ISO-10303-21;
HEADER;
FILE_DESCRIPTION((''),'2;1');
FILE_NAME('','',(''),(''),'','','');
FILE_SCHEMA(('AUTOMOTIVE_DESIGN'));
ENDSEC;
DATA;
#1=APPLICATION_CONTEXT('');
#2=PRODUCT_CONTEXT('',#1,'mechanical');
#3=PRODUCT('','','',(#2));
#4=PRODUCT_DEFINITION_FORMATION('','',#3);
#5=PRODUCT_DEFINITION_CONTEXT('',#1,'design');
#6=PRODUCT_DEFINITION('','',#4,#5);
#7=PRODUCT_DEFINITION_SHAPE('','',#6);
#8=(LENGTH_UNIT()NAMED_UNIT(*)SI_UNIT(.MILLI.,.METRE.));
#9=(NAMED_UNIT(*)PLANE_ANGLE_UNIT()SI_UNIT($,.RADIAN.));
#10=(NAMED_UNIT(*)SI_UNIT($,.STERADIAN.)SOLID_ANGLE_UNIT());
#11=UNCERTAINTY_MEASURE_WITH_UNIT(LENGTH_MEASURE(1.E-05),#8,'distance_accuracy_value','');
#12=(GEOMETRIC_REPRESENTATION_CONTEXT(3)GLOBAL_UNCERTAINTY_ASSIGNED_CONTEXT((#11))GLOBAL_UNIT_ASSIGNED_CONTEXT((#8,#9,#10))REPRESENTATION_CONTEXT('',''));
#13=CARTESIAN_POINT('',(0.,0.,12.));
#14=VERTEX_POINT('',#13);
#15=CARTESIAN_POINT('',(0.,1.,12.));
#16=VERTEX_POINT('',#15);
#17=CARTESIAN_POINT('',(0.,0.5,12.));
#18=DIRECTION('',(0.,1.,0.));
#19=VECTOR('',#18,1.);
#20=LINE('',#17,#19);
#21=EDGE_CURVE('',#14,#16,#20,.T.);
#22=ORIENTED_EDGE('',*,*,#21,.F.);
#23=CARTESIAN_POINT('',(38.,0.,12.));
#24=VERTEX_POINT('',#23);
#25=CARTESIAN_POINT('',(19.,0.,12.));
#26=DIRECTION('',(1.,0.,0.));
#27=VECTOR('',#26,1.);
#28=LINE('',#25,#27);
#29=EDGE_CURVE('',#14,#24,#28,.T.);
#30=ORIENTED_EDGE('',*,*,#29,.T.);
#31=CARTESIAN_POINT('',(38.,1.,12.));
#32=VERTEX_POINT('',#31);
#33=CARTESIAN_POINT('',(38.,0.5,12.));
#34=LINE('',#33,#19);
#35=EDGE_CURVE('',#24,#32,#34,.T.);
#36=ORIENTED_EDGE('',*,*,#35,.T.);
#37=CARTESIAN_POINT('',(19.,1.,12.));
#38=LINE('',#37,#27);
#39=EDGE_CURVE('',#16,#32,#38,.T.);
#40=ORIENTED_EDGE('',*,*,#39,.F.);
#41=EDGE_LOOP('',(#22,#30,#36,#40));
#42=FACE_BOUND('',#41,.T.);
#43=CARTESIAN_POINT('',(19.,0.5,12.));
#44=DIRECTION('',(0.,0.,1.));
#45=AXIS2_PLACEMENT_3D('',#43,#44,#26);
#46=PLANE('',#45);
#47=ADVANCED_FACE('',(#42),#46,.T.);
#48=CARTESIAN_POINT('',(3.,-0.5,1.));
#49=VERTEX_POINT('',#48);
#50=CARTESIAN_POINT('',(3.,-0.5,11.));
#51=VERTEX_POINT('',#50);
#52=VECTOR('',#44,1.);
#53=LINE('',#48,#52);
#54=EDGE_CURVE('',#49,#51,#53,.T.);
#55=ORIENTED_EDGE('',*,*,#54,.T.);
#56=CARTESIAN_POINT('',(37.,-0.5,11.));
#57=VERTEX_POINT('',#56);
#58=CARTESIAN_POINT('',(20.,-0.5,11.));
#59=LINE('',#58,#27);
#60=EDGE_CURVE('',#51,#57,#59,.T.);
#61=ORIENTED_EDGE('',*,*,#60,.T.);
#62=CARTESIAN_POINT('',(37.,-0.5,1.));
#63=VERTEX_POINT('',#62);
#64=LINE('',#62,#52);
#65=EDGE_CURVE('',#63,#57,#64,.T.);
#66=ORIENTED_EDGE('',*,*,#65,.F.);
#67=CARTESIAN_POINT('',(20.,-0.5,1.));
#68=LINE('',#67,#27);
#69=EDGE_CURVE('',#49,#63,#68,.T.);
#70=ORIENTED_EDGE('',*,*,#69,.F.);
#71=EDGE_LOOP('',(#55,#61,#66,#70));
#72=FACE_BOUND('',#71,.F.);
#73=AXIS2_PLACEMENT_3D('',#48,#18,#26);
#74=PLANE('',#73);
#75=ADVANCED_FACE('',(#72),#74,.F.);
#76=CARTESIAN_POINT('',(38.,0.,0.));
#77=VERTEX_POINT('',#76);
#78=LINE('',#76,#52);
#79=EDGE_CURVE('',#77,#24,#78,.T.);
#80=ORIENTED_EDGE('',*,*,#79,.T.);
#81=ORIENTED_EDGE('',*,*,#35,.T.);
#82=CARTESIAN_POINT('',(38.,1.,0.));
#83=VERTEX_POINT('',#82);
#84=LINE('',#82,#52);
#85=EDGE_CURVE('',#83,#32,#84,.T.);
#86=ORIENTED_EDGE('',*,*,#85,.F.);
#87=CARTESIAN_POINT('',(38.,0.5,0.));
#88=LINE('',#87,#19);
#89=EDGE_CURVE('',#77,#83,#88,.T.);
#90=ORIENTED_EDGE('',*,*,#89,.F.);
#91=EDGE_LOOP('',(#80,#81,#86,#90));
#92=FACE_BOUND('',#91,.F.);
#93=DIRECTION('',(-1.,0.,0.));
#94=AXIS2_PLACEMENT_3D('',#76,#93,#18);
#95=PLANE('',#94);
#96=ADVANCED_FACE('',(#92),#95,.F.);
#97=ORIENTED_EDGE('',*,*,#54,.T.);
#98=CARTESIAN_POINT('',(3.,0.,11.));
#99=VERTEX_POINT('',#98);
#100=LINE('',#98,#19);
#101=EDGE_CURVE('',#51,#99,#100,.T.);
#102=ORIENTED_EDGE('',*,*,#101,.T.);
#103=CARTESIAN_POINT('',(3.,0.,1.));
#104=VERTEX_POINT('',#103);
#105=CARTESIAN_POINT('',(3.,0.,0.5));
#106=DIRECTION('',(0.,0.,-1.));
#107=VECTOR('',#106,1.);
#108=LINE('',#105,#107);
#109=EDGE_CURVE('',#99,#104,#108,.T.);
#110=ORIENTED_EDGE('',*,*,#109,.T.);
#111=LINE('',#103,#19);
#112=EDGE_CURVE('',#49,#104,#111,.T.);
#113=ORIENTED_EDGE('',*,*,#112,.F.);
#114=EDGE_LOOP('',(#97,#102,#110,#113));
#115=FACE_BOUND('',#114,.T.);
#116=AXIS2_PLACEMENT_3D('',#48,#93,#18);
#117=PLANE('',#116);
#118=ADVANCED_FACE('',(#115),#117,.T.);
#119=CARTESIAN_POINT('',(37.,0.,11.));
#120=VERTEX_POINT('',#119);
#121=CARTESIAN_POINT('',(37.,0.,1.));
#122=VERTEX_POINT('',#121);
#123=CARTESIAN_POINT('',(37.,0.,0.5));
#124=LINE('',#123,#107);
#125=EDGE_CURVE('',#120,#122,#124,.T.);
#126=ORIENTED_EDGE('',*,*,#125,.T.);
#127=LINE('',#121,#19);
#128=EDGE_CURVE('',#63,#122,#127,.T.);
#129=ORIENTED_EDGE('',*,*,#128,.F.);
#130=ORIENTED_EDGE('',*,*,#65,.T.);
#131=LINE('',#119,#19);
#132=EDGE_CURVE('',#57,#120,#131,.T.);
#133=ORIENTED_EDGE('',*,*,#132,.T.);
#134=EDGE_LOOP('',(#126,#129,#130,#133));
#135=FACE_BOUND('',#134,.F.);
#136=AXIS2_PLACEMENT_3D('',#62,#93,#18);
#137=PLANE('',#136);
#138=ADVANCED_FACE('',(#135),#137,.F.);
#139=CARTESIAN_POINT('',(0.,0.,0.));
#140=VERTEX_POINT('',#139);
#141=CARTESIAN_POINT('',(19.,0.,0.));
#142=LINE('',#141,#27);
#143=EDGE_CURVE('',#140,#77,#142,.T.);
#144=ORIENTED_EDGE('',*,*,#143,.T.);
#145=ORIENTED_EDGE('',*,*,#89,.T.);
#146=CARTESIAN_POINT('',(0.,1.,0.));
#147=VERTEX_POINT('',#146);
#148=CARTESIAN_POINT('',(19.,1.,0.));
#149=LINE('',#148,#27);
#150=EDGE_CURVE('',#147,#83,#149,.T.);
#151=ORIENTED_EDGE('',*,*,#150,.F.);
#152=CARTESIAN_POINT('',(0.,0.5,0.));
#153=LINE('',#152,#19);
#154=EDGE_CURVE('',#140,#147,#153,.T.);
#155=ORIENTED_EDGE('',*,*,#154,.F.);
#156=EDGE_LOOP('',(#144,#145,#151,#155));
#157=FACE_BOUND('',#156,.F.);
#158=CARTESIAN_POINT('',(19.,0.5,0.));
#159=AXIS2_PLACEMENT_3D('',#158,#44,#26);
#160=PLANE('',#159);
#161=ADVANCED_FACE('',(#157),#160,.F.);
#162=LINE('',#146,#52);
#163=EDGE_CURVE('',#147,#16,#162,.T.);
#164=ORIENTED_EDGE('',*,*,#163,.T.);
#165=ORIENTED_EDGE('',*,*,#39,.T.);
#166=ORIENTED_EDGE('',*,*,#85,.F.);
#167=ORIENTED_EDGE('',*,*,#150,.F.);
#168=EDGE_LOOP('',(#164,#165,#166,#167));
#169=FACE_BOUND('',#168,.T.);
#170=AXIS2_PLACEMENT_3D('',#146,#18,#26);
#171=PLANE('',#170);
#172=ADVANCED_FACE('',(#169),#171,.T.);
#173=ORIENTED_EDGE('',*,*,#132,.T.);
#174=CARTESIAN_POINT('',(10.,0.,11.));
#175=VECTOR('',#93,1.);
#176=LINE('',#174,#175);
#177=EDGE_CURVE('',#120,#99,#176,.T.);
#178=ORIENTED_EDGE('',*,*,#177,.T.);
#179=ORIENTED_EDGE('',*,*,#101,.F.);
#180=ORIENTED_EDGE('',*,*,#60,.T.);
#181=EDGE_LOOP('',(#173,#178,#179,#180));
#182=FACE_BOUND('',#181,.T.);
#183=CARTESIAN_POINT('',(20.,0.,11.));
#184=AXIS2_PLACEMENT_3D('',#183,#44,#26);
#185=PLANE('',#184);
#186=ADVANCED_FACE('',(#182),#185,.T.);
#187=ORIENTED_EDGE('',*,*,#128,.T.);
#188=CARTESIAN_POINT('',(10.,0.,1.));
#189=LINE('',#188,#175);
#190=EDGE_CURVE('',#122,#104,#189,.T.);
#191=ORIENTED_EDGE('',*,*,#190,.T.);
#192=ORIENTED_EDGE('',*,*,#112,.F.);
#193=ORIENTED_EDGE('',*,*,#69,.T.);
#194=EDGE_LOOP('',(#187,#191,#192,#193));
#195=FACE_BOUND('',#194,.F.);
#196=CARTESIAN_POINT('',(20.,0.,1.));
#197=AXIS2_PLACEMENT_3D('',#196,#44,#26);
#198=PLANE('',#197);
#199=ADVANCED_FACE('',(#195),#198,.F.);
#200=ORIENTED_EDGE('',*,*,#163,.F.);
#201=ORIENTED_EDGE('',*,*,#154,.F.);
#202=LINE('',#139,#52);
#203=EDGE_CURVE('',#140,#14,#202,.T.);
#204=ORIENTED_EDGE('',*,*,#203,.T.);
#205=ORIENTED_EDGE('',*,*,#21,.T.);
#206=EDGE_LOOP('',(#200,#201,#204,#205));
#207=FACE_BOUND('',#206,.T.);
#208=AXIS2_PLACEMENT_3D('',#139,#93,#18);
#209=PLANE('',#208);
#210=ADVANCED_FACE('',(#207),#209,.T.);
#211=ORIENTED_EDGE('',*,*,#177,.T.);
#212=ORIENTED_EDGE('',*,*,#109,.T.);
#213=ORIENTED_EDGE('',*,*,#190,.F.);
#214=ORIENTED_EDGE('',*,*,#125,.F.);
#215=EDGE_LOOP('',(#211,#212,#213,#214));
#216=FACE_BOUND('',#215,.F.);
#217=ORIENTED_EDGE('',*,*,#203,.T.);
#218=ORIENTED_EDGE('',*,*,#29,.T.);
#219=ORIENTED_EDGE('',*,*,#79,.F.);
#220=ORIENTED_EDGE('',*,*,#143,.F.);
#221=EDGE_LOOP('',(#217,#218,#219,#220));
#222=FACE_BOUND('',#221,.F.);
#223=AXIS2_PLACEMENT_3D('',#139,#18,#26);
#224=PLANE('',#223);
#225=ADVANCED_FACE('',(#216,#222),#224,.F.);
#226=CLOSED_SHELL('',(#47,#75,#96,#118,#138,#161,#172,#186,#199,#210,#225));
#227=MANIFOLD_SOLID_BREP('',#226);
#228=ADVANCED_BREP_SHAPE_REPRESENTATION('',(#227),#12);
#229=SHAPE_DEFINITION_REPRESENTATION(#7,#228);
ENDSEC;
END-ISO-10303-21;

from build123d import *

# Parameters (mm, degrees)
BOX_W        = 38
BOX_H        = 1
BOX_DEPTH    = 12
BOX001_W     = 34
BOX001_H     = 1
BOX001_DEPTH = 10


with BuildPart() as cubo:
    # Box → Box (new body)
    with BuildSketch(Plane.XY):
        with Locations((19, 0.5)):
            Rectangle(BOX_W, BOX_H)
    extrude(amount=BOX_DEPTH)


with BuildPart() as display:
    # Box001 → Box001 (new body)
    with BuildSketch(Plane(origin=(3, -0.5, 1), x_dir=(1, 0, 0), z_dir=(0, 0, 1))):
        with Locations((17, 0.5)):
            Rectangle(BOX001_W, BOX001_H)
    extrude(amount=BOX001_DEPTH)

    # Fusion: union Cubo
    add(cubo.part)


solid = display.part
